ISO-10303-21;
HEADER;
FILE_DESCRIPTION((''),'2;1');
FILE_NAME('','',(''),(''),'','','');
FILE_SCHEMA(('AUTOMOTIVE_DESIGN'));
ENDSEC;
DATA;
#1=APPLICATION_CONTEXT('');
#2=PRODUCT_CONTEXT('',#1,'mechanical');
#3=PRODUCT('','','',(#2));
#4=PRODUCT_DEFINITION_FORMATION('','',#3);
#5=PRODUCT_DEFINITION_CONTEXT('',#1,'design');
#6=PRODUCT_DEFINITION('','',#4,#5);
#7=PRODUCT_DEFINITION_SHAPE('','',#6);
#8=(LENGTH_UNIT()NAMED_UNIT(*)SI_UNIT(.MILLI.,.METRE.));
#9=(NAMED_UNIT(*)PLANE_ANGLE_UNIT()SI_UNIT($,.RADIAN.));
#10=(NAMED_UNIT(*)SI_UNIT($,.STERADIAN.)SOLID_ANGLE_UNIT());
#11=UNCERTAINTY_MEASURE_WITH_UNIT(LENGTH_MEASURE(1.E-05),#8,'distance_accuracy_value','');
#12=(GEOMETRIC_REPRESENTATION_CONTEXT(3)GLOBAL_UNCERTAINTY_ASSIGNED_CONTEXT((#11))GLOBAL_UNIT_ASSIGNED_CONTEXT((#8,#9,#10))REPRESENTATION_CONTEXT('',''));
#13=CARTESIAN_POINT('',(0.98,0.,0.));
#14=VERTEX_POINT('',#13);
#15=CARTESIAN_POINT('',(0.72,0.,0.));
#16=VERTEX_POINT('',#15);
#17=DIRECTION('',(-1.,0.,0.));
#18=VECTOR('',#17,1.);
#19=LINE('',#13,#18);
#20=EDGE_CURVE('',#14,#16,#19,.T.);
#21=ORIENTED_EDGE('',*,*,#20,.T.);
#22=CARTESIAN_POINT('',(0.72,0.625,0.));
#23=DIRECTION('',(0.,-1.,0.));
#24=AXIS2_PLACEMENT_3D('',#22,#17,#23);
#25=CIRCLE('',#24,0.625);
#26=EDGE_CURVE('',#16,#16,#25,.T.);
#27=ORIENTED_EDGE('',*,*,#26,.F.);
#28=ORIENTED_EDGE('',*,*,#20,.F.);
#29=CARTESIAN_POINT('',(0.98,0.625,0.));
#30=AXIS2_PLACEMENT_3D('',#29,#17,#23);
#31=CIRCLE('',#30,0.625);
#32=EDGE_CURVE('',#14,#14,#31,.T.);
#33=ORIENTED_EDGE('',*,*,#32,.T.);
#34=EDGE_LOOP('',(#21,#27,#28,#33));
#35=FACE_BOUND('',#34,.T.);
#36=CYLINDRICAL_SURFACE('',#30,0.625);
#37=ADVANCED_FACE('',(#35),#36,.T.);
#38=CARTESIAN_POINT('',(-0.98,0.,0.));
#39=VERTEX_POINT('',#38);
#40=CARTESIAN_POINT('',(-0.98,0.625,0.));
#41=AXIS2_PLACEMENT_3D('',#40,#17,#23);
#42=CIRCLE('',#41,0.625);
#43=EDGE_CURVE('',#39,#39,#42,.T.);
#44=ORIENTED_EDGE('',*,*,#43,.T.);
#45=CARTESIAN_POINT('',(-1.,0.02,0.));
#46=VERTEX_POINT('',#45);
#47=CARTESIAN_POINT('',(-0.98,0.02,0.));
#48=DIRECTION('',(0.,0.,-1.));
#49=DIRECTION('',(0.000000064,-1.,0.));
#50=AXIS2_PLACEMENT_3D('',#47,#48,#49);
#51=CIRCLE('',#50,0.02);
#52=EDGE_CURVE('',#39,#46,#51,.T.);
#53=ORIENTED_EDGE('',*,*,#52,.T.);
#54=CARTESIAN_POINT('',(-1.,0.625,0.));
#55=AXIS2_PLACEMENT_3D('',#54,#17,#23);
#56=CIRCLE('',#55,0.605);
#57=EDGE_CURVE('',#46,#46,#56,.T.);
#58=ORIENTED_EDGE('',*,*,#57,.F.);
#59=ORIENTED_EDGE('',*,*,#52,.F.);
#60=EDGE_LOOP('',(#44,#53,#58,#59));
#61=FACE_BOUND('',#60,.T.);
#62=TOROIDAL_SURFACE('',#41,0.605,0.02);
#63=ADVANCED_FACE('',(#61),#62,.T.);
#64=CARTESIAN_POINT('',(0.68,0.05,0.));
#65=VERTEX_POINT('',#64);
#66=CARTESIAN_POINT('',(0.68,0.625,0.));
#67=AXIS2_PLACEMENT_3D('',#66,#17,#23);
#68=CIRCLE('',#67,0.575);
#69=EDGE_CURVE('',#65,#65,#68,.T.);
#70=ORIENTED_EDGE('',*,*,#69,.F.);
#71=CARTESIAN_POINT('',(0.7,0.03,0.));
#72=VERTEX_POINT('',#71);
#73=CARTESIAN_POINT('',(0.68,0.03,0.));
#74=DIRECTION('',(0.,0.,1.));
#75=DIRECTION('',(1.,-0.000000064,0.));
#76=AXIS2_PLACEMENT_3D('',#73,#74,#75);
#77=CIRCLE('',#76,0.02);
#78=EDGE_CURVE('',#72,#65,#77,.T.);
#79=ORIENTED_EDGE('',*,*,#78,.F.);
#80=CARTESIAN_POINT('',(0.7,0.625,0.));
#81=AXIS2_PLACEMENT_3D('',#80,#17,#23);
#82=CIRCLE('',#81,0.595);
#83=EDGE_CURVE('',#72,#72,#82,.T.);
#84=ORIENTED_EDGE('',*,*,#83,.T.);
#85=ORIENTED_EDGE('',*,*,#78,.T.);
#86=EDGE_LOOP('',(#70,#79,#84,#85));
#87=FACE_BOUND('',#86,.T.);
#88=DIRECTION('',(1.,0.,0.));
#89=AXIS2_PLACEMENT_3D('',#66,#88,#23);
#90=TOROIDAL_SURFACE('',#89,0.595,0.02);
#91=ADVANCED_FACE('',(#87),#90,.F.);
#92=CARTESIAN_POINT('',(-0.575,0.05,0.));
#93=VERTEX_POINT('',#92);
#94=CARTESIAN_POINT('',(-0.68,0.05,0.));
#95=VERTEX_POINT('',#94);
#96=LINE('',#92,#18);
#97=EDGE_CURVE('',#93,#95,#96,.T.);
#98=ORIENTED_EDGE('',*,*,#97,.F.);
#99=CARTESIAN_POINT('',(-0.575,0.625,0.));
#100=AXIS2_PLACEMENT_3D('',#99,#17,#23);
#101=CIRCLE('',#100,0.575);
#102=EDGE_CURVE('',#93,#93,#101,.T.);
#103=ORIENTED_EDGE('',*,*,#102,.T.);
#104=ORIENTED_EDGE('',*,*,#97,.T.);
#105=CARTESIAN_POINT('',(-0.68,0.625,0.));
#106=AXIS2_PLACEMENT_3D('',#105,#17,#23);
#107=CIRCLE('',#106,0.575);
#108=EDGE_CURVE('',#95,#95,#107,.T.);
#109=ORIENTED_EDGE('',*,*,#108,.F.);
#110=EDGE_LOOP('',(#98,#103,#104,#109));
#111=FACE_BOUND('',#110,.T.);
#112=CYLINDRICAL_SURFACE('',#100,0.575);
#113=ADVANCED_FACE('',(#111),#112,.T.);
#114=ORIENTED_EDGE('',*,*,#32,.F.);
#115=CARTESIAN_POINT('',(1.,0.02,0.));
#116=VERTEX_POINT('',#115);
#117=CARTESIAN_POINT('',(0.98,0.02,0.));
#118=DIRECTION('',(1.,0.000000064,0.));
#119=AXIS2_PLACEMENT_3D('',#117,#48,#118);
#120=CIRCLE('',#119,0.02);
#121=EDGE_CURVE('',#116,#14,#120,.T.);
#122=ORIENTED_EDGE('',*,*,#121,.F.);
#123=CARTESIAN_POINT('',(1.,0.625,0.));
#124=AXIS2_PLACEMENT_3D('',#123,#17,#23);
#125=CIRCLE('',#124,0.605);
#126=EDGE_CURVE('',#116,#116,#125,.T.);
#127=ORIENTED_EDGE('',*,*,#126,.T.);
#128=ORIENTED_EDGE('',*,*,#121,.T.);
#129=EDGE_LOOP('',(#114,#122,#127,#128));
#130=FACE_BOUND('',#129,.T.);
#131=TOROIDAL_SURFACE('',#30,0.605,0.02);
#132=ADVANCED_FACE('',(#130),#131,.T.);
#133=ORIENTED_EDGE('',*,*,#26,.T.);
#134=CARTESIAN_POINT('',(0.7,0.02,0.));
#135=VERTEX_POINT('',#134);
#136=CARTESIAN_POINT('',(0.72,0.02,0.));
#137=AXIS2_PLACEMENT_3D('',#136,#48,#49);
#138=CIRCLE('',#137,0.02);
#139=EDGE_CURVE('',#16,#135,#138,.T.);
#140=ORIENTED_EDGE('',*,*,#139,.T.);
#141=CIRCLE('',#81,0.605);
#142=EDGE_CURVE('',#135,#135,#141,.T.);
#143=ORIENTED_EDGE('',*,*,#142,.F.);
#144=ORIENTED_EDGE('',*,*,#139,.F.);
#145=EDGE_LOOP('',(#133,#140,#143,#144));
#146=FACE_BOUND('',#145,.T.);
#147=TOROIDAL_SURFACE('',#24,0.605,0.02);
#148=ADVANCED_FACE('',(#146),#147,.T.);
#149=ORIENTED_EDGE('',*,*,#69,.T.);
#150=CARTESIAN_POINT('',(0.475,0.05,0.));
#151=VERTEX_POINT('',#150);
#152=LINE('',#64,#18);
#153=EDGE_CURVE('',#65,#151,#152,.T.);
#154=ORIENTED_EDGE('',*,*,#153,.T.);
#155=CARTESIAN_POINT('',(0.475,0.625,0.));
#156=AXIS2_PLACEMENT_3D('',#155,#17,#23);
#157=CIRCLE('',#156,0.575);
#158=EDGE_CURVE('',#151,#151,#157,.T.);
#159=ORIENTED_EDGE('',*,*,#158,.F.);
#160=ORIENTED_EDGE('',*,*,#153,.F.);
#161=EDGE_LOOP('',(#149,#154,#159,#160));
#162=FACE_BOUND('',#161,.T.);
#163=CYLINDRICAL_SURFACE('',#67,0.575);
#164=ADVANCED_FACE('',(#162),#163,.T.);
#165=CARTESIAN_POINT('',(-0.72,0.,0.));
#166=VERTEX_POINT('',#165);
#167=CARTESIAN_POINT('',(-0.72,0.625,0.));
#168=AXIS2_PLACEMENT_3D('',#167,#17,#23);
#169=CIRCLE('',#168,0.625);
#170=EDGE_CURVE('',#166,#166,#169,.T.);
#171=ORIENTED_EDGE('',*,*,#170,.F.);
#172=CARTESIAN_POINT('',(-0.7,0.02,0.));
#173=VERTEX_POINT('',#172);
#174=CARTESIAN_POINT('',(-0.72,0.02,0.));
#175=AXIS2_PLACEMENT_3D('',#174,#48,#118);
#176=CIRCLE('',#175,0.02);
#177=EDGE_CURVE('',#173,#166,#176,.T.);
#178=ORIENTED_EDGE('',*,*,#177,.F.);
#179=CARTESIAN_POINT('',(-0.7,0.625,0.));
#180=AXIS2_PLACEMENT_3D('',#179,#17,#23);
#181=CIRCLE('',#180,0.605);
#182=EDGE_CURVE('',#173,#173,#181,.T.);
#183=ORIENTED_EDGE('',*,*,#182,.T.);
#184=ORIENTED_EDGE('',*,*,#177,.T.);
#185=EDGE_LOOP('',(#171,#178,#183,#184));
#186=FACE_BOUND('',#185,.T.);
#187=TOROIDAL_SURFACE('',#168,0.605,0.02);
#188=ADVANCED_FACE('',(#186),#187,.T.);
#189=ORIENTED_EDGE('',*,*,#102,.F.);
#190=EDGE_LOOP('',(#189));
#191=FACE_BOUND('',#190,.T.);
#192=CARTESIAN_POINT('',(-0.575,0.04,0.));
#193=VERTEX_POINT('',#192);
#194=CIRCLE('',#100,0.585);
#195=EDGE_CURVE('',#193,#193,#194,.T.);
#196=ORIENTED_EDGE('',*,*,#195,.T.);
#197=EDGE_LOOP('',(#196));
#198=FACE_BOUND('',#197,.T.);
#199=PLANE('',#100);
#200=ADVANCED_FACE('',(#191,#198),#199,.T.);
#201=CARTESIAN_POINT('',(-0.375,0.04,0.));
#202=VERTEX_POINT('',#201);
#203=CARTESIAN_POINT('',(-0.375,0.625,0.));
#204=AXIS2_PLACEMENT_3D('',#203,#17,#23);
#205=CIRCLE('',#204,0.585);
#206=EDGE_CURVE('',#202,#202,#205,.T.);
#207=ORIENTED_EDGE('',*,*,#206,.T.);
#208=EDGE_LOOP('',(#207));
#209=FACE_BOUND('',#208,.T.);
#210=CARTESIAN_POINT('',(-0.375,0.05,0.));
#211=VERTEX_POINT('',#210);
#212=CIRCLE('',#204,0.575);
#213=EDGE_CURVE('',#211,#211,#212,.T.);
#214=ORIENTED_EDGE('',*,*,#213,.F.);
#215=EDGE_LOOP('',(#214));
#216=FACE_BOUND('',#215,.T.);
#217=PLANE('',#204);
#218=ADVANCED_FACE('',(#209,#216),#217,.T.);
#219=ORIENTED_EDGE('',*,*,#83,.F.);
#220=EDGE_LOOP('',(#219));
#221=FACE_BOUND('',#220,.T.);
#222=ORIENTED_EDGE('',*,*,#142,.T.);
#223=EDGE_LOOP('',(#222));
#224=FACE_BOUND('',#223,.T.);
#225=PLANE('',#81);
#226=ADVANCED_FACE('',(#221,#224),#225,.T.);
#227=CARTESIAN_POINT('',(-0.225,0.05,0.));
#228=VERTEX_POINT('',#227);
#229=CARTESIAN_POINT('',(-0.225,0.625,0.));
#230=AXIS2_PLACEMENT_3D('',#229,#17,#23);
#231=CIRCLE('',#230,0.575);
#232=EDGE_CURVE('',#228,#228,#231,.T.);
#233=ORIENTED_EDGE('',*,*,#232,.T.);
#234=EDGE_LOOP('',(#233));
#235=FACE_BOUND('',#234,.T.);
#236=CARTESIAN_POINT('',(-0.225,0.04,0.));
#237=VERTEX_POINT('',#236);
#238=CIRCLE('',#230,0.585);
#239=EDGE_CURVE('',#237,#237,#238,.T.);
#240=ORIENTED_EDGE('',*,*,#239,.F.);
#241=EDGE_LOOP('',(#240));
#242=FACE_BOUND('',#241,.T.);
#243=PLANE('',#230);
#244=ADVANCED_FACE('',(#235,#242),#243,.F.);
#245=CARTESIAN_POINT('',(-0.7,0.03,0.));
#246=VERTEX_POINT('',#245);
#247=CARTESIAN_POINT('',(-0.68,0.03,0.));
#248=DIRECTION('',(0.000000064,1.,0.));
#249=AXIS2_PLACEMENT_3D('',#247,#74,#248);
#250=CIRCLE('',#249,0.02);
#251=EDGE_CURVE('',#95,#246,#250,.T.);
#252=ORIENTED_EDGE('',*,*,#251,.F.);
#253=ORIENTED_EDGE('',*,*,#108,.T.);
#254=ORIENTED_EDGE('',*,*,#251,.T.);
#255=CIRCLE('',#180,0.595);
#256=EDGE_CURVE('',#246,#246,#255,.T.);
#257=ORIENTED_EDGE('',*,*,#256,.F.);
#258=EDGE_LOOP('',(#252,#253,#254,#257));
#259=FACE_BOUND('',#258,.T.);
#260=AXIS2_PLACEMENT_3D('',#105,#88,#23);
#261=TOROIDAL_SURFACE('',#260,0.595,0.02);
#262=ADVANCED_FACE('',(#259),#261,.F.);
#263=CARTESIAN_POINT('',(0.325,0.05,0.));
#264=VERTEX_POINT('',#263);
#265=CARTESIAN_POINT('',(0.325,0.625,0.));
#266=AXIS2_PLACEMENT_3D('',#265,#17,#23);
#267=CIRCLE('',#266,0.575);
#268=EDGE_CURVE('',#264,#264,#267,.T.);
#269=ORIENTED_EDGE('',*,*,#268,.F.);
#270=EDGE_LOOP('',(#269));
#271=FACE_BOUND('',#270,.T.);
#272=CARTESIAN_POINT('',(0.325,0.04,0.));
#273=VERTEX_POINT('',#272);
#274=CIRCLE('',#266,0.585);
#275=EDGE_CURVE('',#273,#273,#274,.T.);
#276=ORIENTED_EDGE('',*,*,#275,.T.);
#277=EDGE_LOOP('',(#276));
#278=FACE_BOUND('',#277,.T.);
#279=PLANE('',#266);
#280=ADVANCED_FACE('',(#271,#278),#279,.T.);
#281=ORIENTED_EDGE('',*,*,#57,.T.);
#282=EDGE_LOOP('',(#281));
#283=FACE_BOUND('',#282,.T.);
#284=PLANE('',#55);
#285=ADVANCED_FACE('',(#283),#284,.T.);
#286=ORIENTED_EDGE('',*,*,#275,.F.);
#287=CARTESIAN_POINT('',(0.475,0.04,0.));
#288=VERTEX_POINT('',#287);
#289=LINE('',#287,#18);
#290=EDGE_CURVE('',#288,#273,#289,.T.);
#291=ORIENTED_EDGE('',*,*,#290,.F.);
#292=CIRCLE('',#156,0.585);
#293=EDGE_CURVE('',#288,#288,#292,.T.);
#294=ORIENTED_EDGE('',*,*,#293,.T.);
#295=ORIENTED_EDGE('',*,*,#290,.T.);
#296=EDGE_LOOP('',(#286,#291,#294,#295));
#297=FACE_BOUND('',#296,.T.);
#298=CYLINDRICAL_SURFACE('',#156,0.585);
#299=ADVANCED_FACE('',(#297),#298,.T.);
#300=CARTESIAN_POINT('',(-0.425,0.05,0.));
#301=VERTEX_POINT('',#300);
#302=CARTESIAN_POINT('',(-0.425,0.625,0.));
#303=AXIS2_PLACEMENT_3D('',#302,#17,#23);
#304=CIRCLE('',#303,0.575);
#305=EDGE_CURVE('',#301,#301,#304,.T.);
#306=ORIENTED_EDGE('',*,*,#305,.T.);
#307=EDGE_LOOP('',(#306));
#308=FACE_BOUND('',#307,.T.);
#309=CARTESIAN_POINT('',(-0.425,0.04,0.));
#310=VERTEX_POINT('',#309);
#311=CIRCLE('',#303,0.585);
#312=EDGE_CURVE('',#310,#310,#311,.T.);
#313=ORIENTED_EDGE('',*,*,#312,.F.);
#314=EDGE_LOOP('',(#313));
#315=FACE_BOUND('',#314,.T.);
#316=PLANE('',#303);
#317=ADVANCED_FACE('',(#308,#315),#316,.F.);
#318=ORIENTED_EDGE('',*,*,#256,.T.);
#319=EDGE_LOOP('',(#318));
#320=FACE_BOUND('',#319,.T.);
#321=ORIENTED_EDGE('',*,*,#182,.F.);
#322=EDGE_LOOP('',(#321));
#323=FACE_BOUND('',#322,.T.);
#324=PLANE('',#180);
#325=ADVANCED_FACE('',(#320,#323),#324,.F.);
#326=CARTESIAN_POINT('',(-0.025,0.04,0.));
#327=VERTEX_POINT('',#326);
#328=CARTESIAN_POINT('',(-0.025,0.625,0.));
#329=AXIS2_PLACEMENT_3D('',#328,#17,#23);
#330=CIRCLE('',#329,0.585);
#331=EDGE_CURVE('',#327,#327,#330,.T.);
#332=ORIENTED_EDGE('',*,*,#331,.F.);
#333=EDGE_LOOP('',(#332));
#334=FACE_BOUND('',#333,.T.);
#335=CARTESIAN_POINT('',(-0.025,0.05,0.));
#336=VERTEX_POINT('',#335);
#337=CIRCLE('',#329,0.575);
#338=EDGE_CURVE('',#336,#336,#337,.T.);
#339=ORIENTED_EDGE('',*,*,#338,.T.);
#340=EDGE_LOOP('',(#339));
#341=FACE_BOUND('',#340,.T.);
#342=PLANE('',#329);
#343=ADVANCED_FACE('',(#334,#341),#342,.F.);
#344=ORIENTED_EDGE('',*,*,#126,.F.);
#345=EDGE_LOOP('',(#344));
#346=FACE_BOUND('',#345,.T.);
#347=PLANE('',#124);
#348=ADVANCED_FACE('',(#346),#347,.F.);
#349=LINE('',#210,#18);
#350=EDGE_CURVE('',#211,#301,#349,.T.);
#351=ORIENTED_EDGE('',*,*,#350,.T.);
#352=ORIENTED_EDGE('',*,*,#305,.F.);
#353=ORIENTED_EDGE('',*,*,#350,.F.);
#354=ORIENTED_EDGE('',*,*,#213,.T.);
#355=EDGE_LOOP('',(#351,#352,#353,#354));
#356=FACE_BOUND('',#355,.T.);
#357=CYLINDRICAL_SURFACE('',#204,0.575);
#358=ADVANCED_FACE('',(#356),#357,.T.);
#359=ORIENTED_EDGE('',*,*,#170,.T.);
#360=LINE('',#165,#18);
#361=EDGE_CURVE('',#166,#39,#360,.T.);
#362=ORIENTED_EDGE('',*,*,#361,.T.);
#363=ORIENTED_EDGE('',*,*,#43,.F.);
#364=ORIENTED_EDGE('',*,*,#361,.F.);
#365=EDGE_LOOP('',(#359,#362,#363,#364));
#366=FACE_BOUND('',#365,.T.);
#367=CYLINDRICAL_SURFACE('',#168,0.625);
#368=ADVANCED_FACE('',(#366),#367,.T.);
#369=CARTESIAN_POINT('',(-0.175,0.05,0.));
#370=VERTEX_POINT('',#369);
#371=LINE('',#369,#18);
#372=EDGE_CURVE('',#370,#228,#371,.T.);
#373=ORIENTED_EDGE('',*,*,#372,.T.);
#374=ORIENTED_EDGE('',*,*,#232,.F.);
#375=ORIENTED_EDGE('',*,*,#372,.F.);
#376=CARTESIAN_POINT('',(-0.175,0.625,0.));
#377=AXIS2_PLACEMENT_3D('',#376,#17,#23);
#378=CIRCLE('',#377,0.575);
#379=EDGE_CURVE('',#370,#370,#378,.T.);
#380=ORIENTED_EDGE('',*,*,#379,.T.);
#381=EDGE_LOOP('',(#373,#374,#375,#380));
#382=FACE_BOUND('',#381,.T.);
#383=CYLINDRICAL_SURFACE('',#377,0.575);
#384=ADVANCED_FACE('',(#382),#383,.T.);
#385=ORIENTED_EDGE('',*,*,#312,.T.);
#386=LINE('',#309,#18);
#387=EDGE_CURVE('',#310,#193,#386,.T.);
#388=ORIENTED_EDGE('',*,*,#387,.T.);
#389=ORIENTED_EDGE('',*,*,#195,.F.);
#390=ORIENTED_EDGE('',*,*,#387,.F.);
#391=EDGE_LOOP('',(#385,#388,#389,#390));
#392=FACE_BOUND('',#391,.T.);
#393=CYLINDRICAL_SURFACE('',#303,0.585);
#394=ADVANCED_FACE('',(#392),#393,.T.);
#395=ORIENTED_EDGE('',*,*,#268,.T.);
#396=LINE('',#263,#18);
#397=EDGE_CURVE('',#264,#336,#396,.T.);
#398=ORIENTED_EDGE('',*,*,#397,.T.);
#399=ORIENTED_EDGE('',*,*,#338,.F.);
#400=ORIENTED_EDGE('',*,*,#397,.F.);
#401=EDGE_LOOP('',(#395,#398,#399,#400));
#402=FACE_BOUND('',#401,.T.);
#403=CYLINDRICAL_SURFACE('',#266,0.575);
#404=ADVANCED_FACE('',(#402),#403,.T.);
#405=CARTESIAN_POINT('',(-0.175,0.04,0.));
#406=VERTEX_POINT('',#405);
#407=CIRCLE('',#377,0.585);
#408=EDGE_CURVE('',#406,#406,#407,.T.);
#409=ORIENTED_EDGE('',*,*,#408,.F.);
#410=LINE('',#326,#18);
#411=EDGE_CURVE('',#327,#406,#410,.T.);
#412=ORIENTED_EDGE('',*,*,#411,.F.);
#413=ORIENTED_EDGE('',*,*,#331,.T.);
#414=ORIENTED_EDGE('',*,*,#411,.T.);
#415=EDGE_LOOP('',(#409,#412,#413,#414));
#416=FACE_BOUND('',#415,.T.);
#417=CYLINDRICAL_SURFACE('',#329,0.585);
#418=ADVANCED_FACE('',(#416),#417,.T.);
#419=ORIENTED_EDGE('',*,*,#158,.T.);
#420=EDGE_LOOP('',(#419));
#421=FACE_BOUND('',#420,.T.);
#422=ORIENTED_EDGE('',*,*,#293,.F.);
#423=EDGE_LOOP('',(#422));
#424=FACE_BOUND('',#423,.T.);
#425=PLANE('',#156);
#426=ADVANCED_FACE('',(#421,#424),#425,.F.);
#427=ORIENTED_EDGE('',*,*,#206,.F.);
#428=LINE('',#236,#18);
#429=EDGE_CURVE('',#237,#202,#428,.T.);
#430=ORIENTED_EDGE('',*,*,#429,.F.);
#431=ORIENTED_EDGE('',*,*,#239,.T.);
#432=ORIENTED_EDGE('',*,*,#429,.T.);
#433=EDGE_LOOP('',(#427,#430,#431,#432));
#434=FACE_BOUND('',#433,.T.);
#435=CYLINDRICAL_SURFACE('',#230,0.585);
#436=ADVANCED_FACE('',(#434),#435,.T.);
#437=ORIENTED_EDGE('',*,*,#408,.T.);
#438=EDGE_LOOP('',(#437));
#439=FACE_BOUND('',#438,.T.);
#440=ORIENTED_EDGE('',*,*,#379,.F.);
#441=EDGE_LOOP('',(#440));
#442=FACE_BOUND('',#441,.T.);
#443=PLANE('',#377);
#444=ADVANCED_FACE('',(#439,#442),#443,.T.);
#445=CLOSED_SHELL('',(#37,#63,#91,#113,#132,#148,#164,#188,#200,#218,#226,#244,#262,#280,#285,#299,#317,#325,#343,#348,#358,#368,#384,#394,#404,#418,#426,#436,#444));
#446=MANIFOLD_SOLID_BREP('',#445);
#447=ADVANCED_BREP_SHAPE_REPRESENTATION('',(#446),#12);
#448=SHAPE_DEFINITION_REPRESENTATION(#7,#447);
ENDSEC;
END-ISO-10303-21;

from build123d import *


with BuildPart() as part:
    # Sketch1 → Revolve1 (revolve)
    with BuildSketch(Plane.XY):
        with BuildLine():
            Line((-1, 0.625), (1, 0.625))
            Line((1, 0.625), (1, 0.02))
            ThreePointArc((1, 0.02), (0.994142136, 0.005857864), (0.98, 0))
            Line((0.98, 0), (0.72, 0))
            ThreePointArc((0.72, 0), (0.705857864, 0.005857864), (0.7, 0.02))
            Line((0.7, 0.02), (0.7, 0.03))
            ThreePointArc((0.7, 0.03), (0.694142136, 0.044142136), (0.68, 0.05))
            Line((0.68, 0.05), (0.475, 0.05))
            Line((0.475, 0.05), (0.475, 0.04))
            Line((0.475, 0.04), (0.325, 0.04))
            Line((0.325, 0.04), (0.325, 0.05))
            Line((0.325, 0.05), (-0.025, 0.05))
            Line((-0.025, 0.05), (-0.025, 0.04))
            Line((-0.025, 0.04), (-0.175, 0.04))
            Line((-0.175, 0.04), (-0.175, 0.05))
            Line((-0.175, 0.05), (-0.225, 0.05))
            Line((-0.225, 0.05), (-0.225, 0.04))
            Line((-0.225, 0.04), (-0.375, 0.04))
            Line((-0.375, 0.04), (-0.375, 0.05))
            Line((-0.375, 0.05), (-0.425, 0.05))
            Line((-0.425, 0.05), (-0.425, 0.04))
            Line((-0.425, 0.04), (-0.575, 0.04))
            Line((-0.575, 0.04), (-0.575, 0.05))
            Line((-0.575, 0.05), (-0.68, 0.05))
            ThreePointArc((-0.68, 0.05), (-0.694142136, 0.044142136), (-0.7, 0.03))
            Line((-0.7, 0.03), (-0.7, 0.02))
            ThreePointArc((-0.7, 0.02), (-0.705857864, 0.005857864), (-0.72, 0))
            Line((-0.72, 0), (-0.98, 0))
            ThreePointArc((-0.98, 0), (-0.994142136, 0.005857864), (-1, 0.02))
            Line((-1, 0.02), (-1, 0.625))
        make_face()
    revolve(axis=Axis((-1, 0.625, 0), (-1, 0, 0)))


solid = part.part
